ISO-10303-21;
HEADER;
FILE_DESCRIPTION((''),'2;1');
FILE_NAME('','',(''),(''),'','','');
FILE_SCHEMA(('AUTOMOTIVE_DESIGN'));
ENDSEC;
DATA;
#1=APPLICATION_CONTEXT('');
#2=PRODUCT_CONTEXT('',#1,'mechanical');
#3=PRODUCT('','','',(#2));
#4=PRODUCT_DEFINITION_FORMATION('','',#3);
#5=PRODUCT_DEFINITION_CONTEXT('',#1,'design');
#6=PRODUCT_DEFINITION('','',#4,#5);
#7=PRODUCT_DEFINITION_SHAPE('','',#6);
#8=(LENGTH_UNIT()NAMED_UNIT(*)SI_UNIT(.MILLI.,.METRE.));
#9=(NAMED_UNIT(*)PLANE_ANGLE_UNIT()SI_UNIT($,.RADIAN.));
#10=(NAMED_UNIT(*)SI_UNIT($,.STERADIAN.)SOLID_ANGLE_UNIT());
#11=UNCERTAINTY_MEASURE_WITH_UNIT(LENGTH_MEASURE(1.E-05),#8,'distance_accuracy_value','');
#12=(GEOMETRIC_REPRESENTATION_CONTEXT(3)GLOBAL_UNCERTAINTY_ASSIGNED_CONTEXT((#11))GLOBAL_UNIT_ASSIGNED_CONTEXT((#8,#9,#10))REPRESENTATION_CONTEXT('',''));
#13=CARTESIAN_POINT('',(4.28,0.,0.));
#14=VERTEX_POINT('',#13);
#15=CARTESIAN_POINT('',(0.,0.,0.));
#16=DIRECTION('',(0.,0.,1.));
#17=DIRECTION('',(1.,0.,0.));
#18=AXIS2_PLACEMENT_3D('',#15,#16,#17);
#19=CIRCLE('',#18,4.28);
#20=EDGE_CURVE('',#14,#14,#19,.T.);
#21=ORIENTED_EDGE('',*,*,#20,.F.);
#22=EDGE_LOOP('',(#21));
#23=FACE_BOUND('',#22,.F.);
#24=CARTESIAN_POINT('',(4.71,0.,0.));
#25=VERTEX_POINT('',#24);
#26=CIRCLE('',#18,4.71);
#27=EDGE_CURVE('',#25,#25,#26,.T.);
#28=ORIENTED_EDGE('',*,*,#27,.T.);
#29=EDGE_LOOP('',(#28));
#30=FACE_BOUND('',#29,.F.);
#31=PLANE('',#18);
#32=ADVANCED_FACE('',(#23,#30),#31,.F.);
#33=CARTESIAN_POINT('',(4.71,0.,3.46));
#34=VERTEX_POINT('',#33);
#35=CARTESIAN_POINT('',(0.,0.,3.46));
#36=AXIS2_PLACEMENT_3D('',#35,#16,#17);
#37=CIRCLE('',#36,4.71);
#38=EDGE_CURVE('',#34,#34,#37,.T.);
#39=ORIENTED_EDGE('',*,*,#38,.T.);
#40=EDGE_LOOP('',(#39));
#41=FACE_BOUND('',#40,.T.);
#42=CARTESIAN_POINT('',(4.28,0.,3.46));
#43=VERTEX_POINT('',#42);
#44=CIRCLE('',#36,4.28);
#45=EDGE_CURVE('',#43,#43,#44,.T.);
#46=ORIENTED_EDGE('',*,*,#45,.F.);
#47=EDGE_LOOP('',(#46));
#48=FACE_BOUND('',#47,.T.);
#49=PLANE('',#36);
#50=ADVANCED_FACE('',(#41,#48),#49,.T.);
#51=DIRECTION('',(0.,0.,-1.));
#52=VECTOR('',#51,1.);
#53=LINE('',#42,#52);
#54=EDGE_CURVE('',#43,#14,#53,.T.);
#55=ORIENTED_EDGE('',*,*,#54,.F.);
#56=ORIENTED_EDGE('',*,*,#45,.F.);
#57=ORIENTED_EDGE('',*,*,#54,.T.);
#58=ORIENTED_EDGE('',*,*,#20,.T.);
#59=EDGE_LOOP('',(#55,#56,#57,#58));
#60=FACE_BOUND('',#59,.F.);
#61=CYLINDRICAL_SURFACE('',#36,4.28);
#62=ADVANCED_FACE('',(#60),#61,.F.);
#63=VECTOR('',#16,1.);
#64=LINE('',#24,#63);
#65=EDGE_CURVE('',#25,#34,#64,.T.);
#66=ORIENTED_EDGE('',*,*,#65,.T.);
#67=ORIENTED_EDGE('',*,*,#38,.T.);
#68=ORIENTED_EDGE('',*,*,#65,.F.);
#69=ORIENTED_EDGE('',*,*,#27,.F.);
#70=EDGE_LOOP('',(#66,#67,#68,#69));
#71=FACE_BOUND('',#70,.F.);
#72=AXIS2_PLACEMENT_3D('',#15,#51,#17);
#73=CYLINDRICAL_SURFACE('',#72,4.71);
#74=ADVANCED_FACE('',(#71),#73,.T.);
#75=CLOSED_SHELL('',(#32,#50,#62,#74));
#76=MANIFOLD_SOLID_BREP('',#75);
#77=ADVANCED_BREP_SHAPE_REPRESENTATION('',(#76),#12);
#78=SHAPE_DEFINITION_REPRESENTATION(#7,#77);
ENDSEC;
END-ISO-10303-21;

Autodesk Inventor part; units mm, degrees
ref_plane "YZ Plane" through (0, 0, 0) normal (1, 0, 0) x (0, 1, 0)
ref_plane "XZ Plane" through (0, 0, 0) normal (0, 1, 0) x (-1, 0, 0)
ref_plane "XY Plane" through (0, 0, 0) normal (0, 0, 1) x (1, 0, 0)
sketch "Sketch1" plane through (0, 0, 0) normal (0, 0, 1) x (1, 0, 0)
  circle A0 centre (0, 0) radius 4.71
  dimension "d0" = 9.42
extrude "Extrusion1" add sketch "Sketch1" along normal blind 3.46
sketch "Sketch2" plane through (0, 0, 3.46) normal (0, 0, 1) x (1, 0, 0)
  circle A0 centre (0, 0) radius 4.28
  dimension "d3" = 8.56
extrude "Extrusion2" cut sketch "Sketch2" against normal through all
properties part number "MIRROR_B_2"
